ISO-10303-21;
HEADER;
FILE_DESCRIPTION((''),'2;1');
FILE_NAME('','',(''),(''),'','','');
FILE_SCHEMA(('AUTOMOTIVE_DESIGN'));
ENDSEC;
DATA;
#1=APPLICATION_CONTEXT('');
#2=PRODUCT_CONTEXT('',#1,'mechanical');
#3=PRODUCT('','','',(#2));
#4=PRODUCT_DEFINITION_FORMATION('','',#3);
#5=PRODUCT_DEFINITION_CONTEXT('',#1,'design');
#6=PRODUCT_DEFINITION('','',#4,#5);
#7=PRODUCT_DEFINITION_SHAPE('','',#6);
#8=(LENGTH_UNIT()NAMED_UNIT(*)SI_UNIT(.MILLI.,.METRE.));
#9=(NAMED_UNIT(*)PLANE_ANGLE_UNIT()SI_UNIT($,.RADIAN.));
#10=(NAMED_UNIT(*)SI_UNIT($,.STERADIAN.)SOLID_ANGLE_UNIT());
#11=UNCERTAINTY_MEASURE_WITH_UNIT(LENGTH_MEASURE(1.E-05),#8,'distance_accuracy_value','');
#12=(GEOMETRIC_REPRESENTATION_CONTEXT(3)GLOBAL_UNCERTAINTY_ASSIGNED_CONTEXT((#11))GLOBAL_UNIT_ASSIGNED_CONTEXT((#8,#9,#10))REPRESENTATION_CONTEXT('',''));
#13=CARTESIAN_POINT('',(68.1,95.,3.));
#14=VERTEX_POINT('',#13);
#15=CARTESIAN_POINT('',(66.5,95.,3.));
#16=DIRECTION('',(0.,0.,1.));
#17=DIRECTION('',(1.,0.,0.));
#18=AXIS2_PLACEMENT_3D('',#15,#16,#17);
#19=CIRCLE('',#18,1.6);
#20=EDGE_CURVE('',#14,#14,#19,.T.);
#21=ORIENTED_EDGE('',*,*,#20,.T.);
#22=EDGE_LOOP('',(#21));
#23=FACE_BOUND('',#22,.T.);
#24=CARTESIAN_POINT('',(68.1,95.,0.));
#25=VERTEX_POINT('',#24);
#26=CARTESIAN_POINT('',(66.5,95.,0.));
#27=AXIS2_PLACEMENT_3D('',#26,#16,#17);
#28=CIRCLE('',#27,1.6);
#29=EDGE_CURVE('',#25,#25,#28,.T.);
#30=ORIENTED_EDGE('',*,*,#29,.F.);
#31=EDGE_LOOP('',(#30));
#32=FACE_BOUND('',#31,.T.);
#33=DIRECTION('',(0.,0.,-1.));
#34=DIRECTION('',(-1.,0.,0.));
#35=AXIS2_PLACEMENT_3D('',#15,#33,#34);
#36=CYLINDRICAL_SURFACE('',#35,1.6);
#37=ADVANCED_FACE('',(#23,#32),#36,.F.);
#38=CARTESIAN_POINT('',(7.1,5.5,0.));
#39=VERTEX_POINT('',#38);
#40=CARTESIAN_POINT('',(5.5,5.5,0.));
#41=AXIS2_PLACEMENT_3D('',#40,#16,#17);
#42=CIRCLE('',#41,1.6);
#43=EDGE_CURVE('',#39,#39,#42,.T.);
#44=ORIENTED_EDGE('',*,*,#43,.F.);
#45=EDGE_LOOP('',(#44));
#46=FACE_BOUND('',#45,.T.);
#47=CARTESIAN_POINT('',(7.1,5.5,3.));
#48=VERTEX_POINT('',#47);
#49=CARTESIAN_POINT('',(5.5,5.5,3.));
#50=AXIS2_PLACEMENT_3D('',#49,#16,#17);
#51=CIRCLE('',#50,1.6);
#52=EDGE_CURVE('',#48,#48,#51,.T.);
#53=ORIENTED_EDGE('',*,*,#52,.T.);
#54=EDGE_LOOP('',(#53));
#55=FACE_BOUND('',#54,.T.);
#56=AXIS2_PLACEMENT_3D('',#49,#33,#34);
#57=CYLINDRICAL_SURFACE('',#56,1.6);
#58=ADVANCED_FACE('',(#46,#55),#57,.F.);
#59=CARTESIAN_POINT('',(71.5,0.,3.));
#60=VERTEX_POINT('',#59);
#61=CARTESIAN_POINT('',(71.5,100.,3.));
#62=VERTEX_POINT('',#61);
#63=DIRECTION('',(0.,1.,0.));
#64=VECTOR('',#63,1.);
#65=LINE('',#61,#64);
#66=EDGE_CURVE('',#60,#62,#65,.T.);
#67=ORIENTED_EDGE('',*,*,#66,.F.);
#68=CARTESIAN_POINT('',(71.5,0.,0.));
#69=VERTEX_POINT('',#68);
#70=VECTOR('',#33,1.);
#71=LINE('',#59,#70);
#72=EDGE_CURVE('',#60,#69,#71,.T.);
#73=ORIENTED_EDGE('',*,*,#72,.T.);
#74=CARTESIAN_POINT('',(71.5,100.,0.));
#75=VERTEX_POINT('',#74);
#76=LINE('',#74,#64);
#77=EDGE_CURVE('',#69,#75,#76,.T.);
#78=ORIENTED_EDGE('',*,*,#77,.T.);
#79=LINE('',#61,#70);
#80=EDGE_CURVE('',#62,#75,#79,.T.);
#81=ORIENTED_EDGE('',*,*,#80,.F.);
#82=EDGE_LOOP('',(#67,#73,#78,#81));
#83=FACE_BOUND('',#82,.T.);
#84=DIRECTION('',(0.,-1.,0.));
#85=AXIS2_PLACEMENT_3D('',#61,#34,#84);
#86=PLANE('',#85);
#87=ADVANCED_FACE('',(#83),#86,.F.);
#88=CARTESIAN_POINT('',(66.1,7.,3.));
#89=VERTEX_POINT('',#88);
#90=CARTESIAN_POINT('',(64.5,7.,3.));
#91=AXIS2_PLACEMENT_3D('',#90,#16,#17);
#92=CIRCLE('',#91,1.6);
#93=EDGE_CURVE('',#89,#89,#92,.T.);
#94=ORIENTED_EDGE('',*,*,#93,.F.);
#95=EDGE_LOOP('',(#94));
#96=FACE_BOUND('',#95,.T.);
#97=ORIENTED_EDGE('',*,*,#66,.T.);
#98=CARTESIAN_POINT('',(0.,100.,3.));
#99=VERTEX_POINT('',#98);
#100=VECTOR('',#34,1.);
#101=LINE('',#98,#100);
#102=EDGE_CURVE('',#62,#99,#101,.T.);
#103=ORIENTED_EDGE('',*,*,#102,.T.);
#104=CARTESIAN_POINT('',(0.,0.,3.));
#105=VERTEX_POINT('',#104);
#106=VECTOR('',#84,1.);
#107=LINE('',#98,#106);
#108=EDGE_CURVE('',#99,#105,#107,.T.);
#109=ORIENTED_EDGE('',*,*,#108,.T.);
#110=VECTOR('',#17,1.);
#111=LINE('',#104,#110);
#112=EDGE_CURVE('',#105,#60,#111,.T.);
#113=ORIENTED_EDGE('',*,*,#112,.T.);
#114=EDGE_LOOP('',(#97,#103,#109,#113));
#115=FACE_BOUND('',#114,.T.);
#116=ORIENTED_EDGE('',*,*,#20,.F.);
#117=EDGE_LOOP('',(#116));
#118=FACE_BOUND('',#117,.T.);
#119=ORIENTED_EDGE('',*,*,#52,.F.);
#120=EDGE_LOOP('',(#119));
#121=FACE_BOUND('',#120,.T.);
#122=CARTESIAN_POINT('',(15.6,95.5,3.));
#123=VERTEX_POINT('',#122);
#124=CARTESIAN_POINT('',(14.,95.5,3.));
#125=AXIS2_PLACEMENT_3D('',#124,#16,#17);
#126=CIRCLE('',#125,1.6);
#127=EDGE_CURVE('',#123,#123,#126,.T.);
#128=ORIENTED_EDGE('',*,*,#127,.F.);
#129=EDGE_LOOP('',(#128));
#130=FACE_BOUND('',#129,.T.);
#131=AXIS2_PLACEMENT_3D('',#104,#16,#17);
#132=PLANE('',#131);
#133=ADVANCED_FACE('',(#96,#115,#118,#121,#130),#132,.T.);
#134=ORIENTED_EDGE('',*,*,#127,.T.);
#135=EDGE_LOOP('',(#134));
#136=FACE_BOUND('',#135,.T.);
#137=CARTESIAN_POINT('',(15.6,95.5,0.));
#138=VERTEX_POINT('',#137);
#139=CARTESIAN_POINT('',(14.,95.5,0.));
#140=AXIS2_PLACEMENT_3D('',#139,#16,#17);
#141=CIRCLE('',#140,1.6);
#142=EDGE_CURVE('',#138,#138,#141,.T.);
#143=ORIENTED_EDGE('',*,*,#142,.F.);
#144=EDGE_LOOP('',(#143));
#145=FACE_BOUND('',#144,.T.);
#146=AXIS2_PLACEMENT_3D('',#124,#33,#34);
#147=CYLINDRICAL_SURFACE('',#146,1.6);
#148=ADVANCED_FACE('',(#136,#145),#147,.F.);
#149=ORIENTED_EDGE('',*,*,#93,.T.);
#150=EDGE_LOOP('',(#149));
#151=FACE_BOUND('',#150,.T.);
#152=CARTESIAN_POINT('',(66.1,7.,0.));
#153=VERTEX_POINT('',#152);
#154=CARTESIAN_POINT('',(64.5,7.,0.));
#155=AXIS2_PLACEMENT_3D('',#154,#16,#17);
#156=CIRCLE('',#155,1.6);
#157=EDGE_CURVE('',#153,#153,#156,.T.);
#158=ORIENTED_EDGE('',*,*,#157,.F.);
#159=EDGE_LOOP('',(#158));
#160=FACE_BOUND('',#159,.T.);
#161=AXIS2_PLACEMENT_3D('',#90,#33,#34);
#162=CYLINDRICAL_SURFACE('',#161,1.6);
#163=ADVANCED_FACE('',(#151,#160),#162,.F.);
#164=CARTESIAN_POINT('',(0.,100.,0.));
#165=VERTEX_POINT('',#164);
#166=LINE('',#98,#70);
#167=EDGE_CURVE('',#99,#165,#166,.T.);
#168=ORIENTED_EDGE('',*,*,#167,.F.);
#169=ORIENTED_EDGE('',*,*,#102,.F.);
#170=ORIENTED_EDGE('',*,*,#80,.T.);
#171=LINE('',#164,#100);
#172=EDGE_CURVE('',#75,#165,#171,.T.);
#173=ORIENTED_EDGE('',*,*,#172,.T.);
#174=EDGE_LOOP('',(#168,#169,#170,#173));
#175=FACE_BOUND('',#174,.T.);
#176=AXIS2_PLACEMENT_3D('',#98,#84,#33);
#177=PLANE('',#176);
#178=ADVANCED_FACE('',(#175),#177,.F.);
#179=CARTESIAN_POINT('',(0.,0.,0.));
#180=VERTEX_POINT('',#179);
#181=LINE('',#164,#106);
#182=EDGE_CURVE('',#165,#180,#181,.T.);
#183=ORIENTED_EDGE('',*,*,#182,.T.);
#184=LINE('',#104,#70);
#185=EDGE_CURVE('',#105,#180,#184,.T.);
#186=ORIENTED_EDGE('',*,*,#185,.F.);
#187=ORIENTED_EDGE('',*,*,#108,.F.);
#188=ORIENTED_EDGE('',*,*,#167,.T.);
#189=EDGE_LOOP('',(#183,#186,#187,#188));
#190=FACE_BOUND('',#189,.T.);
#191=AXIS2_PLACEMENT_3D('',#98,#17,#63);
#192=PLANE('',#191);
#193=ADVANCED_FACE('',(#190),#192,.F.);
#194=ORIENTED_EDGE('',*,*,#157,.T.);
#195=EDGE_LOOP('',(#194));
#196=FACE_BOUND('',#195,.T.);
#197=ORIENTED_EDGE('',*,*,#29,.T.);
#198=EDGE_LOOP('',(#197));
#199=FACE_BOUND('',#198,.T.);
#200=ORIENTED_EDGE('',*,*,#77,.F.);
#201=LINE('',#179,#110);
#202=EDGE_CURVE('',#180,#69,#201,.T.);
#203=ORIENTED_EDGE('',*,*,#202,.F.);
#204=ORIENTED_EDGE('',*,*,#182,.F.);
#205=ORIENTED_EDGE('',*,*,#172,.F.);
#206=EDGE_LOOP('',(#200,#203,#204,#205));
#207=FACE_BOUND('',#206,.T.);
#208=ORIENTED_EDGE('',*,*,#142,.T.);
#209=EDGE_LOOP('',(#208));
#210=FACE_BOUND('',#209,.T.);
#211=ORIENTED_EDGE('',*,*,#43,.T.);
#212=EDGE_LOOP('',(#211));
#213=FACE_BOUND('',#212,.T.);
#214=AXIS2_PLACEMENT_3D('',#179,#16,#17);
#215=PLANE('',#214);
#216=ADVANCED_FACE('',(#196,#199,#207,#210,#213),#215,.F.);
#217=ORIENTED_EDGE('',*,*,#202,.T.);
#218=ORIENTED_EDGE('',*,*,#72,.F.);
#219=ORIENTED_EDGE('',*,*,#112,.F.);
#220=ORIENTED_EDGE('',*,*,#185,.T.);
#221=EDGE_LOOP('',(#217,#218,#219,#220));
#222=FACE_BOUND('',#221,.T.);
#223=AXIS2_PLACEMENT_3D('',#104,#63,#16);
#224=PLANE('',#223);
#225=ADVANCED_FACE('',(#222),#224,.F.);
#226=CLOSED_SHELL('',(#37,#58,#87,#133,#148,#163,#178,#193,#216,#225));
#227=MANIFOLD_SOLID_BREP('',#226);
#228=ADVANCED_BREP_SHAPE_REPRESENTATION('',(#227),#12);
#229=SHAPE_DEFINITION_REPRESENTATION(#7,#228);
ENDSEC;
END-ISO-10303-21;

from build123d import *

# Parameters (mm, degrees)
SKETCH1_W           = 71.5
SKETCH1_H           = 100
SKETCH1_R           = 1.6
BOSS_EXTRUDE1_DEPTH = 3


with BuildPart() as part:
    # Sketch1 → Boss-Extrude1 (new body)
    with BuildSketch(Plane.XY):
        with Locations((35.75, 50)):
            Rectangle(SKETCH1_W, SKETCH1_H)
        with Locations((66.5, 95)):
            Circle(SKETCH1_R, mode=Mode.SUBTRACT)
        with Locations((64.5, 7)):
            Circle(SKETCH1_R, mode=Mode.SUBTRACT)
        with Locations((5.5, 5.5)):
            Circle(SKETCH1_R, mode=Mode.SUBTRACT)
        with Locations((14, 95.5)):
            Circle(SKETCH1_R, mode=Mode.SUBTRACT)
    extrude(amount=BOSS_EXTRUDE1_DEPTH)


solid = part.part
